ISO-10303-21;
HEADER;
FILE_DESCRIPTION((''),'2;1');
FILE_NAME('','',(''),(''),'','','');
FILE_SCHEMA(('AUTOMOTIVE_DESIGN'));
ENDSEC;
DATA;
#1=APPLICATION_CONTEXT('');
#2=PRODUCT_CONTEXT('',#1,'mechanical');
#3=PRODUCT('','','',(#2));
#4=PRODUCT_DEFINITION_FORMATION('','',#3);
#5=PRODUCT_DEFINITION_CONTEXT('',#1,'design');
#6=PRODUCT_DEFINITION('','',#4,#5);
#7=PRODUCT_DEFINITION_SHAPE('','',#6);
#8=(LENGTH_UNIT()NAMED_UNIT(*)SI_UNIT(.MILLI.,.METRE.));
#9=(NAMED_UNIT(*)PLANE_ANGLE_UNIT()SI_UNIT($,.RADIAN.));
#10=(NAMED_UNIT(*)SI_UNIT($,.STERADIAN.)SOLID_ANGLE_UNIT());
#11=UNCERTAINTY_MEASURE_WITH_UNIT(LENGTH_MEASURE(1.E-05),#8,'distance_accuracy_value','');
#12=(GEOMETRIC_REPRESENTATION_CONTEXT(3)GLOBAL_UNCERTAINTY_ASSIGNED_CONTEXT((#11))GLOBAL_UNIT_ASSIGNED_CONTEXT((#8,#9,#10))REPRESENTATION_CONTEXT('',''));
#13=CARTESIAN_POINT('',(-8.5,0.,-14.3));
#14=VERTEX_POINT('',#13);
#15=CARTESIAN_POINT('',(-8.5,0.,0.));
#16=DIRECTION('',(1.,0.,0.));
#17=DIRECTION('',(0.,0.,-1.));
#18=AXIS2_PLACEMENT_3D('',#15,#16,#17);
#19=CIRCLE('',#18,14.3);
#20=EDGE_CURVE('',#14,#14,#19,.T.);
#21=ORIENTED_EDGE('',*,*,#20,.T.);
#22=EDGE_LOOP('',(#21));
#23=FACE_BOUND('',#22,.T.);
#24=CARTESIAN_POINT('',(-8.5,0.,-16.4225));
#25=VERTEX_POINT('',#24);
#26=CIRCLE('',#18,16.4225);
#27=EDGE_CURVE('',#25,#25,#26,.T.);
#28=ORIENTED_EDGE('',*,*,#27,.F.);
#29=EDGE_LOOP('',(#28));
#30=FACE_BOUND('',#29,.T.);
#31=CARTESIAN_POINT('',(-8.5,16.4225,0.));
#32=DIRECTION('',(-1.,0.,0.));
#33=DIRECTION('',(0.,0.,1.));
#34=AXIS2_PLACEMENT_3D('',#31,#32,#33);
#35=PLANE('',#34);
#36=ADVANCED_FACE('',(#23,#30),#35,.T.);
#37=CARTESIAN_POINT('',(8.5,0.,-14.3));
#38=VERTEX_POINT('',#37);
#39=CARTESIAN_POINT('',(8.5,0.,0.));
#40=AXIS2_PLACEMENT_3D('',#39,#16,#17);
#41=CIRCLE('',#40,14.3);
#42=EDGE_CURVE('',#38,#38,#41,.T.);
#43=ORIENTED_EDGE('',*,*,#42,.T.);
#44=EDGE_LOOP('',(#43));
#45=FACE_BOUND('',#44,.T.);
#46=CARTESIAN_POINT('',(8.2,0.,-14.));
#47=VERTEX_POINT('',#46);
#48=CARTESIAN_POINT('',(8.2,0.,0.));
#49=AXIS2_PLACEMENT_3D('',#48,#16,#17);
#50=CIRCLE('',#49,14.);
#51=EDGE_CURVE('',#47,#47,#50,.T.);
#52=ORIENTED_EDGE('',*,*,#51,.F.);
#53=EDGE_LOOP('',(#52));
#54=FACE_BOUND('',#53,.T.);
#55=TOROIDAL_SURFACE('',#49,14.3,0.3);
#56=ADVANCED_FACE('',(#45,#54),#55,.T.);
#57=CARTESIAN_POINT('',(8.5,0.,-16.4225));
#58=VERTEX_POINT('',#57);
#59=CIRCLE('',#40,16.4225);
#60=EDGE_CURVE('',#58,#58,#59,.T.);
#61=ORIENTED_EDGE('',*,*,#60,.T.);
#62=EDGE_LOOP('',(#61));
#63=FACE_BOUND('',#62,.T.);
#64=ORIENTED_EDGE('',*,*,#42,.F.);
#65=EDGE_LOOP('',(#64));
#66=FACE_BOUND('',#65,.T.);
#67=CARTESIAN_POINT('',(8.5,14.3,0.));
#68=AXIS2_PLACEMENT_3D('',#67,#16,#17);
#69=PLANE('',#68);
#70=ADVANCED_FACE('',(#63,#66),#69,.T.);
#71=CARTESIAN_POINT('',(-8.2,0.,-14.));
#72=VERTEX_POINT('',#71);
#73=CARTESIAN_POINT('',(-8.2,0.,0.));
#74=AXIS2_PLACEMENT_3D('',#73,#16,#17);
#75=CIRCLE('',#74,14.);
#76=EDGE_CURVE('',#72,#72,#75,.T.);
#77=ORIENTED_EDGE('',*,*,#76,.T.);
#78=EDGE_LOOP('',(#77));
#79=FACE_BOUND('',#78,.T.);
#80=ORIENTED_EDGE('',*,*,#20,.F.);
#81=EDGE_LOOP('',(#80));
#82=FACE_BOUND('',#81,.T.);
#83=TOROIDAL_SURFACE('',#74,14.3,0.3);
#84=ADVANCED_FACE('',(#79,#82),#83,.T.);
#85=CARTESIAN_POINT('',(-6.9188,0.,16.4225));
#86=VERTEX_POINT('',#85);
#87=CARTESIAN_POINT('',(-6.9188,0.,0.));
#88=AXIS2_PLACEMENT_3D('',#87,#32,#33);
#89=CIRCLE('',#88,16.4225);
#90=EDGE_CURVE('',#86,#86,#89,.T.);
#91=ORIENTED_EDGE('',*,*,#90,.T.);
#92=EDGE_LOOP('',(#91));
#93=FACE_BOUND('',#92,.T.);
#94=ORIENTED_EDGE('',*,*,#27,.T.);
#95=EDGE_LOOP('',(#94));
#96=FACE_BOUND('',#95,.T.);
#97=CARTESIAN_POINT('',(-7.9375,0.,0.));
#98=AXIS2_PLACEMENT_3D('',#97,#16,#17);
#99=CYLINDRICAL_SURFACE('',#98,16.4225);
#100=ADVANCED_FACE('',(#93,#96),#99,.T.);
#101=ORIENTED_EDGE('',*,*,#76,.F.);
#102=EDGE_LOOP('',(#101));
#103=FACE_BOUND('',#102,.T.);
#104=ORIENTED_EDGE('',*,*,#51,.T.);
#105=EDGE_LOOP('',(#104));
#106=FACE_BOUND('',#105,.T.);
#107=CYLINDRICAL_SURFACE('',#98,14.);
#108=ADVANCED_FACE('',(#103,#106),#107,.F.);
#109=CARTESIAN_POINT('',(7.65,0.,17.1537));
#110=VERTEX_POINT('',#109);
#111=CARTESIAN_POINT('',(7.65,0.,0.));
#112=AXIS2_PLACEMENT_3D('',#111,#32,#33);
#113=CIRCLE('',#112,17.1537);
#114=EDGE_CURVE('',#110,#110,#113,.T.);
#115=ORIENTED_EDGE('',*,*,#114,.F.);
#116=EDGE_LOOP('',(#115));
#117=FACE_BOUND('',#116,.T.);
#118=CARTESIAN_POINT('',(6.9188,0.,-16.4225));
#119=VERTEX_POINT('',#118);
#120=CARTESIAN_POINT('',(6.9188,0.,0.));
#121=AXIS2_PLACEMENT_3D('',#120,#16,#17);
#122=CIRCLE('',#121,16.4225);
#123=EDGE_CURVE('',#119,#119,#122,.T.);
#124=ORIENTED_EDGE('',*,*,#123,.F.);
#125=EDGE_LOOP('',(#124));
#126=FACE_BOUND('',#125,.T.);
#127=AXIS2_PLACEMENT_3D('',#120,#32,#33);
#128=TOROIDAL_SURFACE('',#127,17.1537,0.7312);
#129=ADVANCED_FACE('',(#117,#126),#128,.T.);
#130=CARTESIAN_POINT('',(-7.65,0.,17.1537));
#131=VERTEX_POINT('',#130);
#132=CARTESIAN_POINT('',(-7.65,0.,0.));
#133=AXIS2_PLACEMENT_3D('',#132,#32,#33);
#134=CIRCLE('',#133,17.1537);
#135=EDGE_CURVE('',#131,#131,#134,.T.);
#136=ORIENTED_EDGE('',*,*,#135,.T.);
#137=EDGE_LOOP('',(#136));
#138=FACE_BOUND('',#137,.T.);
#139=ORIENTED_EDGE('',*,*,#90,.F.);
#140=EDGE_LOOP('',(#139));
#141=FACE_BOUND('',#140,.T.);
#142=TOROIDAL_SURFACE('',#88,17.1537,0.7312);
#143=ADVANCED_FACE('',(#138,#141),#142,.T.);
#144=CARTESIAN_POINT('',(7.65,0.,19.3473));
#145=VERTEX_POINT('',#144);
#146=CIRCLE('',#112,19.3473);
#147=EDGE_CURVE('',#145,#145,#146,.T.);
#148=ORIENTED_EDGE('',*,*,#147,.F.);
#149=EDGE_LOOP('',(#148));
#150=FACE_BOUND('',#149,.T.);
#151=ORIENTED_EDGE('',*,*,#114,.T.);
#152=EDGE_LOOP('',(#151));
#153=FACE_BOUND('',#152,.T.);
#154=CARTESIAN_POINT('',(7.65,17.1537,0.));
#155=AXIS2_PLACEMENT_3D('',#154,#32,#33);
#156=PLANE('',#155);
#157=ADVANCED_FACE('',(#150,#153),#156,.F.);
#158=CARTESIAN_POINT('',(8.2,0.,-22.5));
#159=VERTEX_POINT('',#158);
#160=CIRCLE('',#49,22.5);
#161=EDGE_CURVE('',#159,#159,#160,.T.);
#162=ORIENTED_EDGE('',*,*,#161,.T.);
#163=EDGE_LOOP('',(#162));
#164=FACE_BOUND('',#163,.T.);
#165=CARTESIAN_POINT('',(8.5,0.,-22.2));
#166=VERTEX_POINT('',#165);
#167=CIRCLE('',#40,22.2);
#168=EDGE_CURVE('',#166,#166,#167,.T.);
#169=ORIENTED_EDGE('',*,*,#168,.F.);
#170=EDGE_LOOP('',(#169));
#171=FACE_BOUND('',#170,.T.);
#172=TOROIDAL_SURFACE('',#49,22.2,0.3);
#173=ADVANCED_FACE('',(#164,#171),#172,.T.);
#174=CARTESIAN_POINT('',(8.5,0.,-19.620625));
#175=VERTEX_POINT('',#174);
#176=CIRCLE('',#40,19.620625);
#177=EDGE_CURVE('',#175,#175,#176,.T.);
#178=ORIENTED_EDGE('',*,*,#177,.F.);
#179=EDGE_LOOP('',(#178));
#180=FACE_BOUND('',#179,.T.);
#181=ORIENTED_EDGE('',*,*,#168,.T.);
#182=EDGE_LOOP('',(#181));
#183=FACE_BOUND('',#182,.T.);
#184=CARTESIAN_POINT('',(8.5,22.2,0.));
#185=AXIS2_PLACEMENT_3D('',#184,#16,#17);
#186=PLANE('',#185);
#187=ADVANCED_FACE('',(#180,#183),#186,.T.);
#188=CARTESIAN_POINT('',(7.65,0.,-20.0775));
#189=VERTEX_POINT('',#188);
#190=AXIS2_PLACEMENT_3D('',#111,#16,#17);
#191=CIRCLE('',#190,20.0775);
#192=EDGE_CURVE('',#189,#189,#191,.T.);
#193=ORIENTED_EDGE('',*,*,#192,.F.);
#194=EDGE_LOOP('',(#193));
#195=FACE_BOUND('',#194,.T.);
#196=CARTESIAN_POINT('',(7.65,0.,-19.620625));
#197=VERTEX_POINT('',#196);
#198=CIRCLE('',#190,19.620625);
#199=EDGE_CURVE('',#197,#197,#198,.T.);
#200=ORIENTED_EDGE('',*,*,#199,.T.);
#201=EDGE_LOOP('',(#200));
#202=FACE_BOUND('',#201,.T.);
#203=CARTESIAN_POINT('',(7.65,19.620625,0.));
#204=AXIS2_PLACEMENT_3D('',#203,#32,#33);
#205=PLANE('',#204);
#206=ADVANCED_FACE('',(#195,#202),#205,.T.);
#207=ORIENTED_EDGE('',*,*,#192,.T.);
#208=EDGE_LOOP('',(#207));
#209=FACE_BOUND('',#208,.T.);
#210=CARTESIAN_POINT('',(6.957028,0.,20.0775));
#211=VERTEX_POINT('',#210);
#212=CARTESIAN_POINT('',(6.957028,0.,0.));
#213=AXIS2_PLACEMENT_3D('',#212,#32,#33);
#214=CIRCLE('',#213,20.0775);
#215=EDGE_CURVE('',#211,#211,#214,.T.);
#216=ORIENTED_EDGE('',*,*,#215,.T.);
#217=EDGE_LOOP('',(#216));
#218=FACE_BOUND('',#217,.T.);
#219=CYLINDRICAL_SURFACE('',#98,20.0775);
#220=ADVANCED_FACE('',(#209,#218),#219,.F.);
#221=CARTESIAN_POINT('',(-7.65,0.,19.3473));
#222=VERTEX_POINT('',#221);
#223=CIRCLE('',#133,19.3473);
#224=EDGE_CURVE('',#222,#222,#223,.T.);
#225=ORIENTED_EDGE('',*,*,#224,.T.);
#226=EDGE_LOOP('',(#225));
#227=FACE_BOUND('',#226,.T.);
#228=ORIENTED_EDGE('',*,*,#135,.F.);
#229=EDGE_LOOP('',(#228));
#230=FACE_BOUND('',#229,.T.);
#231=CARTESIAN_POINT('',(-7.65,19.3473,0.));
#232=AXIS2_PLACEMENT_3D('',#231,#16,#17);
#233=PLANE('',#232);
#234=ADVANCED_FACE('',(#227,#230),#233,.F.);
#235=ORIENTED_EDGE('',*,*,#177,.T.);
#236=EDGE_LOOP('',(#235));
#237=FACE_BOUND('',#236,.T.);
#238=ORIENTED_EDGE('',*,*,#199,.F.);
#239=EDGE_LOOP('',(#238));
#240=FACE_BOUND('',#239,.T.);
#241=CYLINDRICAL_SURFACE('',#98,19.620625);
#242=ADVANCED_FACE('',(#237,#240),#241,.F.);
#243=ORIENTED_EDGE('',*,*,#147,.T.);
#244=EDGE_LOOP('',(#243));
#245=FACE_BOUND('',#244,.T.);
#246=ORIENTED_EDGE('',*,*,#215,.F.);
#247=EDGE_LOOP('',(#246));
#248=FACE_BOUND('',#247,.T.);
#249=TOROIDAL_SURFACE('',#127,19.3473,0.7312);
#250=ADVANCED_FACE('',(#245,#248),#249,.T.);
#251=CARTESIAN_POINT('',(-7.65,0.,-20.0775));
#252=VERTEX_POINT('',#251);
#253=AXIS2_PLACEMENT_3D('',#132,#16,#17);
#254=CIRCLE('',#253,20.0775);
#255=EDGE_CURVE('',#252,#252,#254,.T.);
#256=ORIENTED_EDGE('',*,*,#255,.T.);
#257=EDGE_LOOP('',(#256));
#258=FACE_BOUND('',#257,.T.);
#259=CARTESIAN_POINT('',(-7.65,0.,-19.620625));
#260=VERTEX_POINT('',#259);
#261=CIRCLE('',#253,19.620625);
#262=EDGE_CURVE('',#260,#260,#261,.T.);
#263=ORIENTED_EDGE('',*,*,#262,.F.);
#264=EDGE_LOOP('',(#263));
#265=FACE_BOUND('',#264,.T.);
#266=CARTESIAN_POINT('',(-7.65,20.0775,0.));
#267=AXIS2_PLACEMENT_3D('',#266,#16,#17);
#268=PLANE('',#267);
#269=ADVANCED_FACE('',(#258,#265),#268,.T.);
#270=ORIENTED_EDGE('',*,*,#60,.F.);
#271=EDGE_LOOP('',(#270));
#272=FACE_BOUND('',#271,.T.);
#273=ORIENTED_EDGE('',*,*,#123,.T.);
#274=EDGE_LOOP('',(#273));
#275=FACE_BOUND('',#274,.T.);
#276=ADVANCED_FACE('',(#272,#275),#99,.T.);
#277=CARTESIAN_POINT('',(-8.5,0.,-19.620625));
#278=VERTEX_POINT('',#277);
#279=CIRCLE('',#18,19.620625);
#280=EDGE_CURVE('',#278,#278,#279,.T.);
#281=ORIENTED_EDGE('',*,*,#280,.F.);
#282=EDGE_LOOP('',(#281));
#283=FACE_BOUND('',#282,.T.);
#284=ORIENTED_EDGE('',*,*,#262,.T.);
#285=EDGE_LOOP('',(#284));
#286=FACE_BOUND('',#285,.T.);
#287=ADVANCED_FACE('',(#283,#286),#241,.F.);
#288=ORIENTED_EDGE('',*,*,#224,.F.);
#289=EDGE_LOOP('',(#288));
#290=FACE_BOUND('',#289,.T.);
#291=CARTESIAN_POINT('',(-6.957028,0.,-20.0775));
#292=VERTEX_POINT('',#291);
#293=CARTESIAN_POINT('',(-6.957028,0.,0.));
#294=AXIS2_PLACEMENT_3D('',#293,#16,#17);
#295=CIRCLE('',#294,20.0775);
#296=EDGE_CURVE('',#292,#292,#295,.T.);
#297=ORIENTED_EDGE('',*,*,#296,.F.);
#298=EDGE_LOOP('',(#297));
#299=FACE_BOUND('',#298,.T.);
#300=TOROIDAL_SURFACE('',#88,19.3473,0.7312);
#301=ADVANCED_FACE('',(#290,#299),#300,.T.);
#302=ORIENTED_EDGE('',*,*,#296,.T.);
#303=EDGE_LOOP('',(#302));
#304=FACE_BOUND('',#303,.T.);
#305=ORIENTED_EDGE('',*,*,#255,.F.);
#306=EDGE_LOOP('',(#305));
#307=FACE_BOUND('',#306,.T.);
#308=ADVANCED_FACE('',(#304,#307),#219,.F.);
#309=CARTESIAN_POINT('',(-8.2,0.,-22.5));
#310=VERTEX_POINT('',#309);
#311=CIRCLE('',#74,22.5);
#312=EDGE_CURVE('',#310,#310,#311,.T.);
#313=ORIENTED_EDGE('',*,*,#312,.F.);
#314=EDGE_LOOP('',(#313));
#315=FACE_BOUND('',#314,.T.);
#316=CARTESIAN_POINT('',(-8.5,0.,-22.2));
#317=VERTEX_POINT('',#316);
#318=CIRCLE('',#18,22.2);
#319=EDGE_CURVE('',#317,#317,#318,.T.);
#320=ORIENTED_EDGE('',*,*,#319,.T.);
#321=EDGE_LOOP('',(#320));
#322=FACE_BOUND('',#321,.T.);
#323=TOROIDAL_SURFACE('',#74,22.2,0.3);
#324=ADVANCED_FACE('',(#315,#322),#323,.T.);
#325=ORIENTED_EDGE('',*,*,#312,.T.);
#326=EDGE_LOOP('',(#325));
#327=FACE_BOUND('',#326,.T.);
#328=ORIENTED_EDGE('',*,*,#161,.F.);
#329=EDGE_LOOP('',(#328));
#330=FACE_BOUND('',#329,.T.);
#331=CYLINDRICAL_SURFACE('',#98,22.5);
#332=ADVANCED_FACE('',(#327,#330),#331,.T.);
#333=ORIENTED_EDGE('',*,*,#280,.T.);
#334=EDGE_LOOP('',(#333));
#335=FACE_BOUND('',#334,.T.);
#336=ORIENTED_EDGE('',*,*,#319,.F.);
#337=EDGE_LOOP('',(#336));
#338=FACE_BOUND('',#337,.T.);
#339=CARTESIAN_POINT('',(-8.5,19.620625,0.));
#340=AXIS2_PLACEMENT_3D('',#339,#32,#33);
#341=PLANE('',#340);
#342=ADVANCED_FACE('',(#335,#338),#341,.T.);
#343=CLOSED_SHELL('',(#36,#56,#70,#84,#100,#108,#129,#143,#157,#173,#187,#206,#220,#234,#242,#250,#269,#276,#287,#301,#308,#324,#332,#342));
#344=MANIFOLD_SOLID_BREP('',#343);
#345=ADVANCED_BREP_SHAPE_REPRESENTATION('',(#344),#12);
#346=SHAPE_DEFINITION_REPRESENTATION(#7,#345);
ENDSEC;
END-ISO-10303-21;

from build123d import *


with BuildPart() as part:
    # OutRacSke → OuterRace (revolve)
    with BuildSketch(Plane.XY):
        with BuildLine():
            Line((-7.65, 20.0775), (-7.65, 19.620625))
            Line((-7.65, 19.620625), (-8.5, 19.620625))
            Line((-8.5, 19.620625), (-8.5, 22.2))
            ThreePointArc((-8.5, 22.2), (-8.412132034, 22.412132034), (-8.2, 22.5))
            Line((-8.2, 22.5), (8.2, 22.5))
            ThreePointArc((8.2, 22.5), (8.412132034, 22.412132034), (8.5, 22.2))
            Line((8.5, 22.2), (8.5, 19.620625))
            Line((8.5, 19.620625), (7.65, 19.620625))
            Line((7.65, 19.620625), (7.65, 20.0775))
            Line((7.65, 20.0775), (-7.65, 20.0775))
        make_face()
    revolve(axis=Axis((-7.9375, 0, 0), (1, 0, 0)))

    # RolSimSke → RollersSimplified (revolve)
    with BuildSketch(Plane(origin=(0, 25.4, 0), x_dir=(1, 0, 0), z_dir=(0, 0, 1))):
        with BuildLine():
            Line((-7.65, -6.0527), (-7.65, -8.2463))
            ThreePointArc((-7.65, -8.2463), (-7.435836478, -8.763336478), (-6.9188, -8.9775))
            Line((-6.9188, -8.9775), (6.9188, -8.9775))
            ThreePointArc((6.9188, -8.9775), (7.435836478, -8.763336478), (7.65, -8.2463))
            Line((7.65, -8.2463), (7.65, -6.0527))
            ThreePointArc((7.65, -6.0527), (7.435836478, -5.535663522), (6.9188, -5.3215))
            Line((6.9188, -5.3215), (-6.9188, -5.3215))
            ThreePointArc((-6.9188, -5.3215), (-7.435836478, -5.535663522), (-7.65, -6.0527))
        make_face()
    revolve(axis=Axis((-25.4, 0, 0), (1, 0, 0)))

    # InsRacSke → InnerRace (revolve)
    with BuildSketch(Plane.XY):
        with BuildLine():
            Line((-8.5, 16.4225), (-8.5, 14.3))
            ThreePointArc((-8.5, 14.3), (-8.412132034, 14.087867966), (-8.2, 14))
            Line((-8.2, 14), (8.2, 14))
            ThreePointArc((8.2, 14), (8.412132034, 14.087867966), (8.5, 14.3))
            Line((8.5, 14.3), (8.5, 16.4225))
            Line((8.5, 16.4225), (-8.5, 16.4225))
        make_face()
    revolve(axis=Axis((-7.9375, 0, 0), (1, 0, 0)))


solid = part.part
